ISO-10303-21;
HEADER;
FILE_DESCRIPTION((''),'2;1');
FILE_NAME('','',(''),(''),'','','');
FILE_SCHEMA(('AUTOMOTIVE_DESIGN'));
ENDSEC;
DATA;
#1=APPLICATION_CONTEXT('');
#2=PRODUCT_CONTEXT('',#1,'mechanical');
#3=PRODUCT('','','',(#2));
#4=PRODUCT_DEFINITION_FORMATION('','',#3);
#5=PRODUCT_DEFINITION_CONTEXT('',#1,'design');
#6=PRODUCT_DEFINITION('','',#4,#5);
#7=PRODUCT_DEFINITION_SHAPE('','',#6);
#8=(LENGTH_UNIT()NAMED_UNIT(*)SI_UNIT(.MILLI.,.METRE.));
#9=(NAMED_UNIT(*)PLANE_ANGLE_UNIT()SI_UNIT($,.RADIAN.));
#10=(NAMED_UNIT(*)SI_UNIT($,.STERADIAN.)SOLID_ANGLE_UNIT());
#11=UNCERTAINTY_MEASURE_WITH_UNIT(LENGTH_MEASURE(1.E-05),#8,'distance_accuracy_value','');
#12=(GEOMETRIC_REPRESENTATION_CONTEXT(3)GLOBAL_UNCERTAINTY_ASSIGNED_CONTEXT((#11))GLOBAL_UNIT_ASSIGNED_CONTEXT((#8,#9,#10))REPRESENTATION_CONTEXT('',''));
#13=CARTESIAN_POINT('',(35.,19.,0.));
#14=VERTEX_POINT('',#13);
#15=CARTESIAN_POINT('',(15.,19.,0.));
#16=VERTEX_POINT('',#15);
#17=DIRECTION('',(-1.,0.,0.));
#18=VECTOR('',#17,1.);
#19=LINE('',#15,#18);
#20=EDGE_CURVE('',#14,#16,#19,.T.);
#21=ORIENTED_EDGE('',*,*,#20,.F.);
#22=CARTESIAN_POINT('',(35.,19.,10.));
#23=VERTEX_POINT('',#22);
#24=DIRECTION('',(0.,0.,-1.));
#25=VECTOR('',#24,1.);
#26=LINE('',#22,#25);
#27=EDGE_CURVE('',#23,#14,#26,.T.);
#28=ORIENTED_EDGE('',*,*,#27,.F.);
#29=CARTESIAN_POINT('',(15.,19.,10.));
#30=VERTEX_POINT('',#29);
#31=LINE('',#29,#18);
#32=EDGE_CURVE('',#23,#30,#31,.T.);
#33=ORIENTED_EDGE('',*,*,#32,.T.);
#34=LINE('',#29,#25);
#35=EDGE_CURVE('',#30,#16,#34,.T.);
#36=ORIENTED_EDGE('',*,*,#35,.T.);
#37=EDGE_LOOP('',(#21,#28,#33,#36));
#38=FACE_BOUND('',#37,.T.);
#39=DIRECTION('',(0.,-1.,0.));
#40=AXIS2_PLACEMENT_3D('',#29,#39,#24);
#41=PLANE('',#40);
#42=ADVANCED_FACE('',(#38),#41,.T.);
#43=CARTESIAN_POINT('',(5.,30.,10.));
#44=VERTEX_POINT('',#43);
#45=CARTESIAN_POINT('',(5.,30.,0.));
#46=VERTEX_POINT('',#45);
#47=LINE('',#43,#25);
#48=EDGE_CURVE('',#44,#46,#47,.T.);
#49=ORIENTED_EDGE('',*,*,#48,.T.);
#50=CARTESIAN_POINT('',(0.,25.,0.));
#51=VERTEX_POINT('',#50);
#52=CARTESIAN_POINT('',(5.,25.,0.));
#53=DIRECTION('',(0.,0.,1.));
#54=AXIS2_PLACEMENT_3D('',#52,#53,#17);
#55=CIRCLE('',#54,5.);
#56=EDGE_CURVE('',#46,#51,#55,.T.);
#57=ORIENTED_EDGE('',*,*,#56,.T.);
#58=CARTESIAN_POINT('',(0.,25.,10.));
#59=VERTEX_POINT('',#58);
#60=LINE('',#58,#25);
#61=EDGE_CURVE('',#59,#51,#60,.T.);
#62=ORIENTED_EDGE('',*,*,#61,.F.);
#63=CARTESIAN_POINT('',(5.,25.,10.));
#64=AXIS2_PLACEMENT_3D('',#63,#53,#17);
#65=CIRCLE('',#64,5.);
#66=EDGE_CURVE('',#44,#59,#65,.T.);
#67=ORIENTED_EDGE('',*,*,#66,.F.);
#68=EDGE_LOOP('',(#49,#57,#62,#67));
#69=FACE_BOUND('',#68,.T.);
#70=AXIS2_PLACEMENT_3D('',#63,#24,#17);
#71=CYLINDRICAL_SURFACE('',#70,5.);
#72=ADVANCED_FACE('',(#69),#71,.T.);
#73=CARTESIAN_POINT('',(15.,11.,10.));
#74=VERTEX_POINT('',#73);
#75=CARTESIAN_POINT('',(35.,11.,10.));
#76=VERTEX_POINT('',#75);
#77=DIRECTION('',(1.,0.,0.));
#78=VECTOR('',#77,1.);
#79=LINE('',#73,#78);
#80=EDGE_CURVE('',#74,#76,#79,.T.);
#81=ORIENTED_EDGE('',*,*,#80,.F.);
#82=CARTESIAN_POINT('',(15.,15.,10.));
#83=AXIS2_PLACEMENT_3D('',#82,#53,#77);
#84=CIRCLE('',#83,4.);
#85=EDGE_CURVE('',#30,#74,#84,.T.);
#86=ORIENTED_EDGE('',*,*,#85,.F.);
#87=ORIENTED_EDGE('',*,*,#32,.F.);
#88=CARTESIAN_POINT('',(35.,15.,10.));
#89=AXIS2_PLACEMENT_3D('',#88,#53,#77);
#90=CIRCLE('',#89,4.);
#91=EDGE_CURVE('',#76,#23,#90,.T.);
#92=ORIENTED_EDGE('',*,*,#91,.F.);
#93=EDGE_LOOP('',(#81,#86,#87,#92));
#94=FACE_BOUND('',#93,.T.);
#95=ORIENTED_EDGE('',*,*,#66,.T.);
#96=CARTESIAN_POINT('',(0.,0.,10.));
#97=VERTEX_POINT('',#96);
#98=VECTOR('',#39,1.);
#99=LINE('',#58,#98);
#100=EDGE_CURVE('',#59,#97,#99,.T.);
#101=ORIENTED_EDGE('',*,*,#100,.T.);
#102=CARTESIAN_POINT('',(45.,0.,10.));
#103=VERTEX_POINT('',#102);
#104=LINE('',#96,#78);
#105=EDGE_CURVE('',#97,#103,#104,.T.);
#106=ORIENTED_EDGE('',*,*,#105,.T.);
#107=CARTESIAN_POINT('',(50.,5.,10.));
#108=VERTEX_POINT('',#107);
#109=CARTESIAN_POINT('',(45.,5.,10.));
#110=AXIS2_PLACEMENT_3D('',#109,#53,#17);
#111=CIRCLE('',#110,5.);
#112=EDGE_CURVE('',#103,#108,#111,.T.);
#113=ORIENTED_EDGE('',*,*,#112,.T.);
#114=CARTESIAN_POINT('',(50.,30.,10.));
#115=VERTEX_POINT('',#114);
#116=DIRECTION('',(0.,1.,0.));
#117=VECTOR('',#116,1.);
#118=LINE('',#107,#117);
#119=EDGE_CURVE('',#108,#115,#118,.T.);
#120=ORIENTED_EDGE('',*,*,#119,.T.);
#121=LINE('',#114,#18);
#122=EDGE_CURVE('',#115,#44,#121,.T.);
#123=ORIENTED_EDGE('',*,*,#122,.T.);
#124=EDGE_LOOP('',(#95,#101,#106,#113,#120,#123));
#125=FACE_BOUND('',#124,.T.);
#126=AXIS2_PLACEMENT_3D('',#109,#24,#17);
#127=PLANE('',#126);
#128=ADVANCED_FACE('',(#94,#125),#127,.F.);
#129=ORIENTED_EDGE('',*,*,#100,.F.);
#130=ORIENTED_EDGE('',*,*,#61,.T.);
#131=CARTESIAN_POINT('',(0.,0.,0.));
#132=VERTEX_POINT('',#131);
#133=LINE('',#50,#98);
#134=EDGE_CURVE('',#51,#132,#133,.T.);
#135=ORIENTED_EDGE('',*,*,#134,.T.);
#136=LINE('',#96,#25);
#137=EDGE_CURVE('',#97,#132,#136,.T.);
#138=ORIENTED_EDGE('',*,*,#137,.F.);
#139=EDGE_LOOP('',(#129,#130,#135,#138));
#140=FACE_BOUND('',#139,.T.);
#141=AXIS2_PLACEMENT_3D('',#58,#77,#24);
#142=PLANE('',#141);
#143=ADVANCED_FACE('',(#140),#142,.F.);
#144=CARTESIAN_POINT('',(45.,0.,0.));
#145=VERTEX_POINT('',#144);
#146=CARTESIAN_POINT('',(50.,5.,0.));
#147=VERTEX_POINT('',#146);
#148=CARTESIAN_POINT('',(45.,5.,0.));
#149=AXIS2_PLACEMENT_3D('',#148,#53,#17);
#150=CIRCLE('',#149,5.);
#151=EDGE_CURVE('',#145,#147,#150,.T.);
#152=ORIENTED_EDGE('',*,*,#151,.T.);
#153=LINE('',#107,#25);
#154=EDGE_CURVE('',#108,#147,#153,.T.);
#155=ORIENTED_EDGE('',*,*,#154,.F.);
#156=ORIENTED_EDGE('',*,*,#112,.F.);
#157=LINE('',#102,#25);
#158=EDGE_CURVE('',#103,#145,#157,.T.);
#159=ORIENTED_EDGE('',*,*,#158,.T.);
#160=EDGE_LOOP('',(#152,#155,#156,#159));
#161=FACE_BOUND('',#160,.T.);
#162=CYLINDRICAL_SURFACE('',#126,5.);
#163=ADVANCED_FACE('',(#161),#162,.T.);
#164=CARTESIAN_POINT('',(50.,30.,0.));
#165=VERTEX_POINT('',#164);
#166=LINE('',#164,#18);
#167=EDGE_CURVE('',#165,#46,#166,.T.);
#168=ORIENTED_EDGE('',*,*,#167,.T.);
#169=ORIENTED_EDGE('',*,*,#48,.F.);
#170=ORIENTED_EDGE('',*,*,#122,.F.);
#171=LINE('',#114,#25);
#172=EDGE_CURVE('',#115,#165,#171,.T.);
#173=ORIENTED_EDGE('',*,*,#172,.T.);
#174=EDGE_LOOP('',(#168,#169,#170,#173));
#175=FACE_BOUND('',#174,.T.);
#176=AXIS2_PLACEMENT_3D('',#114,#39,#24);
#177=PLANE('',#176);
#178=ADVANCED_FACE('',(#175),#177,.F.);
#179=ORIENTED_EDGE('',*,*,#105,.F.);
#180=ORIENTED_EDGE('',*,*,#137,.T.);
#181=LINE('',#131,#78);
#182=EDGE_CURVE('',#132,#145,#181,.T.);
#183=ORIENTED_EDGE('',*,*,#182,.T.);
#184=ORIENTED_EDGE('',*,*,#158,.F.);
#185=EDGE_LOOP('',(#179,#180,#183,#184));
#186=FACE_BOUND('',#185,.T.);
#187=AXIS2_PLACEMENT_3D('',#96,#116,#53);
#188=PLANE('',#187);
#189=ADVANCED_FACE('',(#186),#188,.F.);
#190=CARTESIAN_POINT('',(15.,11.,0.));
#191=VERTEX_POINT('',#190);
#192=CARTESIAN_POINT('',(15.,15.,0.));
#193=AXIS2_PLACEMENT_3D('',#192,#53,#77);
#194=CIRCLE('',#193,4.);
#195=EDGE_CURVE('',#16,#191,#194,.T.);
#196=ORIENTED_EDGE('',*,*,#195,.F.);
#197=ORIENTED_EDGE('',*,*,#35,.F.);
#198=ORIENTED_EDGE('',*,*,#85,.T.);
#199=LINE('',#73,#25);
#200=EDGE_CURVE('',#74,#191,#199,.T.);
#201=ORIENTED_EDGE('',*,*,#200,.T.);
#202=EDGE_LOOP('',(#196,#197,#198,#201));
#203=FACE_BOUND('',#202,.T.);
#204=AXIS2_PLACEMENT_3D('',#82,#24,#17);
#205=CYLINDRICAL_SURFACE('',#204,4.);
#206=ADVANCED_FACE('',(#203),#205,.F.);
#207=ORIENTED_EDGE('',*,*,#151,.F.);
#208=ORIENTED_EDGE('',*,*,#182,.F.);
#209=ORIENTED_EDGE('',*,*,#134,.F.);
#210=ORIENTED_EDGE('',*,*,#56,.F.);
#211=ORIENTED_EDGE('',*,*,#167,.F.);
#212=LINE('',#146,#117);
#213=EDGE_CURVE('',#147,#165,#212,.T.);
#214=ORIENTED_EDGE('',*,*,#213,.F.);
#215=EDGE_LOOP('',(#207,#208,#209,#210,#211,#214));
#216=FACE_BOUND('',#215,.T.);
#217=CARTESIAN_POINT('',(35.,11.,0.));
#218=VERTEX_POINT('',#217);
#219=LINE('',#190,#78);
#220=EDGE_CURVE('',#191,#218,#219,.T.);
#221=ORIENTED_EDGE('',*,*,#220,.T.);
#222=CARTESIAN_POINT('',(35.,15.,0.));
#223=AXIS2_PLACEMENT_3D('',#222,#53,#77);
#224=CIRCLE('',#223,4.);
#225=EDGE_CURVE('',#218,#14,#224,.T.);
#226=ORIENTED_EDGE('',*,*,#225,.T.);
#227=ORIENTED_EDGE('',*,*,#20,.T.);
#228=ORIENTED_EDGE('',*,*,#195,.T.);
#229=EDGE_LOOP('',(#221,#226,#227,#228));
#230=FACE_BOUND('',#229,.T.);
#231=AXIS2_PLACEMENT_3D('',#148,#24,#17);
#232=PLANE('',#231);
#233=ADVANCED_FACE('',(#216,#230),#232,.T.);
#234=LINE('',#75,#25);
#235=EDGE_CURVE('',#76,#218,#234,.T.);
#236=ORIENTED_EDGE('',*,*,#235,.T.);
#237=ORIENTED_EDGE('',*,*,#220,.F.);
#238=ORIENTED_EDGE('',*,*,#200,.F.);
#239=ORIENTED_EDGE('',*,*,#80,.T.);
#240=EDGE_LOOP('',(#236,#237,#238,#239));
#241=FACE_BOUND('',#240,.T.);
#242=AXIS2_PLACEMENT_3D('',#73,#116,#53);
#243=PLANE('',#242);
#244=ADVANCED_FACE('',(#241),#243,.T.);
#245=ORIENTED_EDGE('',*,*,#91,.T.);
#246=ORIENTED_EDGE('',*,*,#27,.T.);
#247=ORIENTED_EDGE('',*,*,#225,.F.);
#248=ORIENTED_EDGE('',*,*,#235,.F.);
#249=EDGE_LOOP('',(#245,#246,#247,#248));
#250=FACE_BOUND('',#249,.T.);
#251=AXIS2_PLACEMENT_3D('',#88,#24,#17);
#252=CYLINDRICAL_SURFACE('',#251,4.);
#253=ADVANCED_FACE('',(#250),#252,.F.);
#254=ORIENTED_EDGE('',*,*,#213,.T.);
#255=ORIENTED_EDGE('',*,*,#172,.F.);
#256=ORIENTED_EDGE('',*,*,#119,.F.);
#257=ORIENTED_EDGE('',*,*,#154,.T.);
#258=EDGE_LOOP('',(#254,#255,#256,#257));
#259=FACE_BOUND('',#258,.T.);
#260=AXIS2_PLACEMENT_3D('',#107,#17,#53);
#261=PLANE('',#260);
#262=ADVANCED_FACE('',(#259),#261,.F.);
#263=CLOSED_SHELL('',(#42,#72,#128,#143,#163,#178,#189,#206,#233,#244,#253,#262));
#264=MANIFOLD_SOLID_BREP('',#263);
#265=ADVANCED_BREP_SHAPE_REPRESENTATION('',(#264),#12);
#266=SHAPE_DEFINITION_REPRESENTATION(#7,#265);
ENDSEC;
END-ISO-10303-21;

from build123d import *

# Parameters (mm, degrees)
BOSS_EXTRUDE1_DEPTH = 10


with BuildPart() as part:
    # Sketch1 → Boss-Extrude1 (new body)
    with BuildSketch(Plane.XY):
        with BuildLine():
            Line((0, 0), (45, 0))
            ThreePointArc((45, 0), (48.535533906, 1.464466094), (50, 5))
            Line((50, 5), (50, 30))
            Line((50, 30), (5, 30))
            ThreePointArc((5, 30), (1.464466094, 28.535533906), (0, 25))
            Line((0, 25), (0, 0))
        make_face()
        with BuildLine():
            Line((15, 19), (35, 19))
            ThreePointArc((35, 19), (39, 15), (35, 11))
            Line((35, 11), (15, 11))
            ThreePointArc((15, 11), (11, 15), (15, 19))
        make_face(mode=Mode.SUBTRACT)
    extrude(amount=BOSS_EXTRUDE1_DEPTH)


solid = part.part
